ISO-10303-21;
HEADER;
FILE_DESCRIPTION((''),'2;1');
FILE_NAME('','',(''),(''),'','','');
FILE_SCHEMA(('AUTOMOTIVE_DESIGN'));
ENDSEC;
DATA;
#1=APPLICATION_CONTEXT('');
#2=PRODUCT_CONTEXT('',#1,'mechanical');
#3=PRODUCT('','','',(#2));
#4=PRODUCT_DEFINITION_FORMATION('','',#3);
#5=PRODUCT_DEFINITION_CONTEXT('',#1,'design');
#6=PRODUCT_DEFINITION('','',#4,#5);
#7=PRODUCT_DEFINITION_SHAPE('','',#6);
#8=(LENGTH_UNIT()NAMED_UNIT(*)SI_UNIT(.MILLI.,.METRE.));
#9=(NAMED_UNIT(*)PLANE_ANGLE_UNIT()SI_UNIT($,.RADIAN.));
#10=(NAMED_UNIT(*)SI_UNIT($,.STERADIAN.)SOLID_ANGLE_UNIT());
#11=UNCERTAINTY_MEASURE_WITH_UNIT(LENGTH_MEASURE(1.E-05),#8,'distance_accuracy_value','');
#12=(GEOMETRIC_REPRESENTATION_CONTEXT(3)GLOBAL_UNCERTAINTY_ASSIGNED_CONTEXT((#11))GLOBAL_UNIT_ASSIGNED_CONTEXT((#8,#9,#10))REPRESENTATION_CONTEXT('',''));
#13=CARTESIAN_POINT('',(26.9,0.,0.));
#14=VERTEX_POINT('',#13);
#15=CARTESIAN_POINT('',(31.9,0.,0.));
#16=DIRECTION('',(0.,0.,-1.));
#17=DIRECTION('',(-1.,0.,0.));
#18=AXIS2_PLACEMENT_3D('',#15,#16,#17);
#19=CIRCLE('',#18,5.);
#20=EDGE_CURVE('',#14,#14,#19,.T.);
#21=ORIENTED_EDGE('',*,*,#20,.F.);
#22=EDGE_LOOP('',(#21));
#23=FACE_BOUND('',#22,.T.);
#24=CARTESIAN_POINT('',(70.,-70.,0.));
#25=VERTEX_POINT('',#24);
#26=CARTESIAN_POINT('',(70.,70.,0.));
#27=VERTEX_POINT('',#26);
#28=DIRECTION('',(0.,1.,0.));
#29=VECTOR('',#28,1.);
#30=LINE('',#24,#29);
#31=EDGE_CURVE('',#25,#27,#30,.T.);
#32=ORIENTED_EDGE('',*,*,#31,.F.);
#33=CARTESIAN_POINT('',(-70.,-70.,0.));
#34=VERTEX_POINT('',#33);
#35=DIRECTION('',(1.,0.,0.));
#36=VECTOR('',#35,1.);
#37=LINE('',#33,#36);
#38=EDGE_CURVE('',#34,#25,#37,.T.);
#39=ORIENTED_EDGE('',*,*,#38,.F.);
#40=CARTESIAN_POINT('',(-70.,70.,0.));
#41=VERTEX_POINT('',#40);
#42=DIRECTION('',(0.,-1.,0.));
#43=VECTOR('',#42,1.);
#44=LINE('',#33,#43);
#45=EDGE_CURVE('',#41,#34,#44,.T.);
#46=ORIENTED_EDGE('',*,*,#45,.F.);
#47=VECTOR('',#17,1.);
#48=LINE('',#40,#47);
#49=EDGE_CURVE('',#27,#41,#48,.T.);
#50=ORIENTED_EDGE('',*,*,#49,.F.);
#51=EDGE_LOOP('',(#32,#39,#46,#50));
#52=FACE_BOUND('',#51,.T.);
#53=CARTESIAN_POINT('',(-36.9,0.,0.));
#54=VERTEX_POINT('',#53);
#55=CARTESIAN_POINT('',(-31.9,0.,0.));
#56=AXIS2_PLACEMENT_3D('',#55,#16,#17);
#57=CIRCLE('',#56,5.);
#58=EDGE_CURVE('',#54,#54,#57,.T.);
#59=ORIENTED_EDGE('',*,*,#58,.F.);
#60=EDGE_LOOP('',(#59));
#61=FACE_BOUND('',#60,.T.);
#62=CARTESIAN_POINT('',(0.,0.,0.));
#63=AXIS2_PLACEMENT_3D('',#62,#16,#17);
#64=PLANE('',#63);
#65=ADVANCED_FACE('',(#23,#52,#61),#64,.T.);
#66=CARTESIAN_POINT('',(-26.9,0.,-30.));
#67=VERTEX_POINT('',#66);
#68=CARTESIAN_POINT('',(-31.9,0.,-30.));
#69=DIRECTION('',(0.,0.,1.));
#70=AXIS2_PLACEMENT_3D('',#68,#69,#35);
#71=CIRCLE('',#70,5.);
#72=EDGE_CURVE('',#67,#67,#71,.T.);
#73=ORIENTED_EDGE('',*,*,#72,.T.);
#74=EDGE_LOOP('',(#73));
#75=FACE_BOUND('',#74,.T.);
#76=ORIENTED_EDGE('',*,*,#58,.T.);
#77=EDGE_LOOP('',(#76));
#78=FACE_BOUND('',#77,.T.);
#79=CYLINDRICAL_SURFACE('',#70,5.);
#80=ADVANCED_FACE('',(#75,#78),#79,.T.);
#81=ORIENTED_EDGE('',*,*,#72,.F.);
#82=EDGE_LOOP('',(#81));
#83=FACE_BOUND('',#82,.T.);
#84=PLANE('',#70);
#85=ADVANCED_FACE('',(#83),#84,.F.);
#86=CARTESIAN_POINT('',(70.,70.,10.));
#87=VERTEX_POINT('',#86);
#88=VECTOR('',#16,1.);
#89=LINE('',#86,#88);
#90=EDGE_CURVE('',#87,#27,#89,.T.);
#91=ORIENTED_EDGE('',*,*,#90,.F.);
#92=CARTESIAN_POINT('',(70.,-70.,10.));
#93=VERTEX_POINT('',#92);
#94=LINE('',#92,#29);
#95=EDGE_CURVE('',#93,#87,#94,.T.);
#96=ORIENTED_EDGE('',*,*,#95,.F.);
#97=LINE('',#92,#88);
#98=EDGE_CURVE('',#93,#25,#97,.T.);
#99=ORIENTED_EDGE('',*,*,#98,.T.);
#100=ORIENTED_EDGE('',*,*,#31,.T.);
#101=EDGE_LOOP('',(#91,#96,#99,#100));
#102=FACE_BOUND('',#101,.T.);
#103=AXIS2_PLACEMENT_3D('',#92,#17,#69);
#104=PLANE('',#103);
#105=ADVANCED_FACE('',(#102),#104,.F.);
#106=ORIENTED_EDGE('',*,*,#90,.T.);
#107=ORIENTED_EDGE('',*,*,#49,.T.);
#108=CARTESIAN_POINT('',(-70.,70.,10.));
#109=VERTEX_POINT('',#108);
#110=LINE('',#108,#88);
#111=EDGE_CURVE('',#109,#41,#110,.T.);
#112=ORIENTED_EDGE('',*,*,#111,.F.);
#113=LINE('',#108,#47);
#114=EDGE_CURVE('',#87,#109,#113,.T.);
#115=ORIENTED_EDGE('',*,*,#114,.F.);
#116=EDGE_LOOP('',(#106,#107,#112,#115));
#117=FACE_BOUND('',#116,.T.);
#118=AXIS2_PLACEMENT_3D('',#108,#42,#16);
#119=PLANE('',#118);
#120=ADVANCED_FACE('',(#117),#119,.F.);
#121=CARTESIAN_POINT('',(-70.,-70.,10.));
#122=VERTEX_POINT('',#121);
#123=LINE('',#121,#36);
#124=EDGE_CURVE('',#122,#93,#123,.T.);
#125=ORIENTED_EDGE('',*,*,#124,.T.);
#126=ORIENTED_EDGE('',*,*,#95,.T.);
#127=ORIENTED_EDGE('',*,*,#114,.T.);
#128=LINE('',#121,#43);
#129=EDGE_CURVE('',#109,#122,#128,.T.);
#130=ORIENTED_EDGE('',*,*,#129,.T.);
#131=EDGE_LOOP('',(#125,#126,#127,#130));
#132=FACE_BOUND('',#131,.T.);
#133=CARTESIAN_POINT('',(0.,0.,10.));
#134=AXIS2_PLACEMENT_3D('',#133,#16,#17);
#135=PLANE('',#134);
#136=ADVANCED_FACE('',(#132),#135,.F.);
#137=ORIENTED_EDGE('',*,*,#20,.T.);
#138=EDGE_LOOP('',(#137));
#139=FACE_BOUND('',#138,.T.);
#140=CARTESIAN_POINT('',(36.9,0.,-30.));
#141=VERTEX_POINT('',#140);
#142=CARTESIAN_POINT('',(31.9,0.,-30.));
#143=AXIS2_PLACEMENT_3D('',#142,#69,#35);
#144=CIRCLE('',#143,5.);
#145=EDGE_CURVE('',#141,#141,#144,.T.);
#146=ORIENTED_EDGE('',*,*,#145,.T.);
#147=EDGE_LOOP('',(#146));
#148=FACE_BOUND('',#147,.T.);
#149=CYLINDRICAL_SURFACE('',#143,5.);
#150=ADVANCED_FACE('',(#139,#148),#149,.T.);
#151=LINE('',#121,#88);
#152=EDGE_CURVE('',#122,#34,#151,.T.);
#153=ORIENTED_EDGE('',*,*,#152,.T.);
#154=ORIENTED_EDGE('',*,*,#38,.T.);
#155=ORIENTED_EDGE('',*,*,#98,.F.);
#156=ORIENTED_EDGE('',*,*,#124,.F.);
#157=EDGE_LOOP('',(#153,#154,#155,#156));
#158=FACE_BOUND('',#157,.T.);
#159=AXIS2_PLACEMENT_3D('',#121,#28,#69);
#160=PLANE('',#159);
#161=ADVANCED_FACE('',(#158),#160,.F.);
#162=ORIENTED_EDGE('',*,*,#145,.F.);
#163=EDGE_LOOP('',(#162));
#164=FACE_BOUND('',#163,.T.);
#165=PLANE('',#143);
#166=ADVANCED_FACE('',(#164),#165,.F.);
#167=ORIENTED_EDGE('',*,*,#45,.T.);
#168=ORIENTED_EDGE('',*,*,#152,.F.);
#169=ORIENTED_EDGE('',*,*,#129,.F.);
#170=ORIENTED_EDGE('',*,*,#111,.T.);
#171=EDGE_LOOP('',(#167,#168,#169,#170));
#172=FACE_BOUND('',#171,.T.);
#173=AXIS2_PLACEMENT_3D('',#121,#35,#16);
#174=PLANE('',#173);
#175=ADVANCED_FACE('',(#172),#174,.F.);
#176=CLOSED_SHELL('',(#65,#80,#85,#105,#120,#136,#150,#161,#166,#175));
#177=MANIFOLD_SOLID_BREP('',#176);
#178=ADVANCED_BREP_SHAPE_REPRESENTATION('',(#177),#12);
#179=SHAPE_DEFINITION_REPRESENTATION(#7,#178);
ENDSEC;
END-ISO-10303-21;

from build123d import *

# Parameters (mm, degrees)
SKETCH1_W           = 140
SKETCH1_H           = 140
BOSS_EXTRUDE1_DEPTH = 10
SKETCH2_R           = 5
BOSS_EXTRUDE2_DEPTH = 30


with BuildPart() as part:
    # Sketch1 → Boss-Extrude1 (new body)
    with BuildSketch(Plane.XY):
        Rectangle(SKETCH1_W, SKETCH1_H)
    extrude(amount=BOSS_EXTRUDE1_DEPTH)

    # Sketch2 → Boss-Extrude2 (add)
    with BuildSketch(Plane.XY):
        with Locations((-31.9, 0)):
            Circle(SKETCH2_R)
        with Locations((31.9, 0)):
            Circle(SKETCH2_R)
    extrude(amount=-BOSS_EXTRUDE2_DEPTH)


solid = part.part
